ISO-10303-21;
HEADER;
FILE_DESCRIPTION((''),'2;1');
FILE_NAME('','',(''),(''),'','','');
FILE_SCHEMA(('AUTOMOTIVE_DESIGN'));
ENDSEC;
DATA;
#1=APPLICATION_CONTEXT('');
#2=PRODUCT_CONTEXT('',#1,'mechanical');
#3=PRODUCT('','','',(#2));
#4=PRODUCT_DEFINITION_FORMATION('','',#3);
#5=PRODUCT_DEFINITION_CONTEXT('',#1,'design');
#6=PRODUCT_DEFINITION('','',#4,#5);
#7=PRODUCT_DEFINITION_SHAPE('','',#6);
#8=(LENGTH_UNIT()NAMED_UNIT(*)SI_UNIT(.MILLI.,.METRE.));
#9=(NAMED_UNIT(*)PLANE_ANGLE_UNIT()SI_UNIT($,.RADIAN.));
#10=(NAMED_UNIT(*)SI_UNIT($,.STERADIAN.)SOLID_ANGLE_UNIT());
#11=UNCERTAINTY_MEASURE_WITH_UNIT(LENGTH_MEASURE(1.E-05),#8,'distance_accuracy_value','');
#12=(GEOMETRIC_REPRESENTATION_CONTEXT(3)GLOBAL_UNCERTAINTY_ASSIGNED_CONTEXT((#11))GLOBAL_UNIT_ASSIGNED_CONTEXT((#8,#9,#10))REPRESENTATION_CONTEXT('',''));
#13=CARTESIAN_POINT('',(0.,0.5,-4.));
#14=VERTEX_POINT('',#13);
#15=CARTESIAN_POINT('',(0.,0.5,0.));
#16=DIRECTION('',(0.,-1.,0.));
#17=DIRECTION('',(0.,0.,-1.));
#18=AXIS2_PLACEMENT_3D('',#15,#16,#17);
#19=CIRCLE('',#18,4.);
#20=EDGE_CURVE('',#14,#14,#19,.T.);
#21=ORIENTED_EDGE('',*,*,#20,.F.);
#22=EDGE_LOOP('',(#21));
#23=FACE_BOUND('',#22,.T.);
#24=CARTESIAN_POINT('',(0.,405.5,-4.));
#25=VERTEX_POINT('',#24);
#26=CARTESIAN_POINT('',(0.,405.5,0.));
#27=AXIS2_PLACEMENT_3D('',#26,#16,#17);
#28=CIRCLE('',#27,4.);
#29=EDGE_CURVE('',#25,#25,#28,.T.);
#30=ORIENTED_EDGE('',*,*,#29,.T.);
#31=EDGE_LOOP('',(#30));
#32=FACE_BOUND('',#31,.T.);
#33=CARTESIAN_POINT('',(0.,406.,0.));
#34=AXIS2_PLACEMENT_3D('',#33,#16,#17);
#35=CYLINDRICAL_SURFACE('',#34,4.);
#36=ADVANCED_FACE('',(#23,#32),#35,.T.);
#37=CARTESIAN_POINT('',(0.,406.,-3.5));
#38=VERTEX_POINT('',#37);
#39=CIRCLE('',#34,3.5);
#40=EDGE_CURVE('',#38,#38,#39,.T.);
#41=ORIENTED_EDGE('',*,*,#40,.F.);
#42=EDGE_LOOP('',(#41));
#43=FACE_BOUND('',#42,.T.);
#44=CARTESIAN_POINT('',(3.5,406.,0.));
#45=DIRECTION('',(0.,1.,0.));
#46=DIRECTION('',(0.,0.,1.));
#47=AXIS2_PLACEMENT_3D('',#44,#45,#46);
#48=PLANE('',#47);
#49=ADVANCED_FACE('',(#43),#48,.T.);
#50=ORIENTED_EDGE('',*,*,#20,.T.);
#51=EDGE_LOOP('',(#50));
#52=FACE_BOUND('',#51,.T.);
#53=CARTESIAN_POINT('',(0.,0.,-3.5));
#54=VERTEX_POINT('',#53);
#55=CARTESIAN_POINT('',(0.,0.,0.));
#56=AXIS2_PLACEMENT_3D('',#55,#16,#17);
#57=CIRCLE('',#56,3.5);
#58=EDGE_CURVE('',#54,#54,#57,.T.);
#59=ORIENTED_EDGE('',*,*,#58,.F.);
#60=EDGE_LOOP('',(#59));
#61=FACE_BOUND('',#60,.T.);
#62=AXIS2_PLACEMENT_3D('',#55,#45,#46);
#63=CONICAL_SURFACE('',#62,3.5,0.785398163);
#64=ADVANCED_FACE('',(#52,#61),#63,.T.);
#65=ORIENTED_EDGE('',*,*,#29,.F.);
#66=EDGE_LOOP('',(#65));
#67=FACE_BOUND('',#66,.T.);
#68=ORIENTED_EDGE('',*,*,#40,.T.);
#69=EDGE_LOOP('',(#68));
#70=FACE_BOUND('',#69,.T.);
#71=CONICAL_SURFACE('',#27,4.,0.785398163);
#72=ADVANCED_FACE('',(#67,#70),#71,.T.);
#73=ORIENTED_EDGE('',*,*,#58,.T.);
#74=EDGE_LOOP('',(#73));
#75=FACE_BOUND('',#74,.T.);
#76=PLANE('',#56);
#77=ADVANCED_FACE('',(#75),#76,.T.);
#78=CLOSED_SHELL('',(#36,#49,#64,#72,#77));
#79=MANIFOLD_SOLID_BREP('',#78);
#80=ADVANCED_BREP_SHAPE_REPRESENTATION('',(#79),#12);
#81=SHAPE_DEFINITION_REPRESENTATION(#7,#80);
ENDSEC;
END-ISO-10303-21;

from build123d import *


with BuildPart() as part:
    # Sketch1 → Revolve1 (revolve)
    with BuildSketch(Plane.XY, mode=Mode.PRIVATE) as revolve1_sk:
        Polygon((3.5, 406), (0, 406), (0, 0), (3.5, 0), (4, 0.5), (4, 405.5), align=None)
    revolve(revolve1_sk.sketch.rotate(Axis((0, 406, 0), (0, -1, 0)), 270), axis=Axis((0, 406, 0), (0, -1, 0)))


solid = part.part
